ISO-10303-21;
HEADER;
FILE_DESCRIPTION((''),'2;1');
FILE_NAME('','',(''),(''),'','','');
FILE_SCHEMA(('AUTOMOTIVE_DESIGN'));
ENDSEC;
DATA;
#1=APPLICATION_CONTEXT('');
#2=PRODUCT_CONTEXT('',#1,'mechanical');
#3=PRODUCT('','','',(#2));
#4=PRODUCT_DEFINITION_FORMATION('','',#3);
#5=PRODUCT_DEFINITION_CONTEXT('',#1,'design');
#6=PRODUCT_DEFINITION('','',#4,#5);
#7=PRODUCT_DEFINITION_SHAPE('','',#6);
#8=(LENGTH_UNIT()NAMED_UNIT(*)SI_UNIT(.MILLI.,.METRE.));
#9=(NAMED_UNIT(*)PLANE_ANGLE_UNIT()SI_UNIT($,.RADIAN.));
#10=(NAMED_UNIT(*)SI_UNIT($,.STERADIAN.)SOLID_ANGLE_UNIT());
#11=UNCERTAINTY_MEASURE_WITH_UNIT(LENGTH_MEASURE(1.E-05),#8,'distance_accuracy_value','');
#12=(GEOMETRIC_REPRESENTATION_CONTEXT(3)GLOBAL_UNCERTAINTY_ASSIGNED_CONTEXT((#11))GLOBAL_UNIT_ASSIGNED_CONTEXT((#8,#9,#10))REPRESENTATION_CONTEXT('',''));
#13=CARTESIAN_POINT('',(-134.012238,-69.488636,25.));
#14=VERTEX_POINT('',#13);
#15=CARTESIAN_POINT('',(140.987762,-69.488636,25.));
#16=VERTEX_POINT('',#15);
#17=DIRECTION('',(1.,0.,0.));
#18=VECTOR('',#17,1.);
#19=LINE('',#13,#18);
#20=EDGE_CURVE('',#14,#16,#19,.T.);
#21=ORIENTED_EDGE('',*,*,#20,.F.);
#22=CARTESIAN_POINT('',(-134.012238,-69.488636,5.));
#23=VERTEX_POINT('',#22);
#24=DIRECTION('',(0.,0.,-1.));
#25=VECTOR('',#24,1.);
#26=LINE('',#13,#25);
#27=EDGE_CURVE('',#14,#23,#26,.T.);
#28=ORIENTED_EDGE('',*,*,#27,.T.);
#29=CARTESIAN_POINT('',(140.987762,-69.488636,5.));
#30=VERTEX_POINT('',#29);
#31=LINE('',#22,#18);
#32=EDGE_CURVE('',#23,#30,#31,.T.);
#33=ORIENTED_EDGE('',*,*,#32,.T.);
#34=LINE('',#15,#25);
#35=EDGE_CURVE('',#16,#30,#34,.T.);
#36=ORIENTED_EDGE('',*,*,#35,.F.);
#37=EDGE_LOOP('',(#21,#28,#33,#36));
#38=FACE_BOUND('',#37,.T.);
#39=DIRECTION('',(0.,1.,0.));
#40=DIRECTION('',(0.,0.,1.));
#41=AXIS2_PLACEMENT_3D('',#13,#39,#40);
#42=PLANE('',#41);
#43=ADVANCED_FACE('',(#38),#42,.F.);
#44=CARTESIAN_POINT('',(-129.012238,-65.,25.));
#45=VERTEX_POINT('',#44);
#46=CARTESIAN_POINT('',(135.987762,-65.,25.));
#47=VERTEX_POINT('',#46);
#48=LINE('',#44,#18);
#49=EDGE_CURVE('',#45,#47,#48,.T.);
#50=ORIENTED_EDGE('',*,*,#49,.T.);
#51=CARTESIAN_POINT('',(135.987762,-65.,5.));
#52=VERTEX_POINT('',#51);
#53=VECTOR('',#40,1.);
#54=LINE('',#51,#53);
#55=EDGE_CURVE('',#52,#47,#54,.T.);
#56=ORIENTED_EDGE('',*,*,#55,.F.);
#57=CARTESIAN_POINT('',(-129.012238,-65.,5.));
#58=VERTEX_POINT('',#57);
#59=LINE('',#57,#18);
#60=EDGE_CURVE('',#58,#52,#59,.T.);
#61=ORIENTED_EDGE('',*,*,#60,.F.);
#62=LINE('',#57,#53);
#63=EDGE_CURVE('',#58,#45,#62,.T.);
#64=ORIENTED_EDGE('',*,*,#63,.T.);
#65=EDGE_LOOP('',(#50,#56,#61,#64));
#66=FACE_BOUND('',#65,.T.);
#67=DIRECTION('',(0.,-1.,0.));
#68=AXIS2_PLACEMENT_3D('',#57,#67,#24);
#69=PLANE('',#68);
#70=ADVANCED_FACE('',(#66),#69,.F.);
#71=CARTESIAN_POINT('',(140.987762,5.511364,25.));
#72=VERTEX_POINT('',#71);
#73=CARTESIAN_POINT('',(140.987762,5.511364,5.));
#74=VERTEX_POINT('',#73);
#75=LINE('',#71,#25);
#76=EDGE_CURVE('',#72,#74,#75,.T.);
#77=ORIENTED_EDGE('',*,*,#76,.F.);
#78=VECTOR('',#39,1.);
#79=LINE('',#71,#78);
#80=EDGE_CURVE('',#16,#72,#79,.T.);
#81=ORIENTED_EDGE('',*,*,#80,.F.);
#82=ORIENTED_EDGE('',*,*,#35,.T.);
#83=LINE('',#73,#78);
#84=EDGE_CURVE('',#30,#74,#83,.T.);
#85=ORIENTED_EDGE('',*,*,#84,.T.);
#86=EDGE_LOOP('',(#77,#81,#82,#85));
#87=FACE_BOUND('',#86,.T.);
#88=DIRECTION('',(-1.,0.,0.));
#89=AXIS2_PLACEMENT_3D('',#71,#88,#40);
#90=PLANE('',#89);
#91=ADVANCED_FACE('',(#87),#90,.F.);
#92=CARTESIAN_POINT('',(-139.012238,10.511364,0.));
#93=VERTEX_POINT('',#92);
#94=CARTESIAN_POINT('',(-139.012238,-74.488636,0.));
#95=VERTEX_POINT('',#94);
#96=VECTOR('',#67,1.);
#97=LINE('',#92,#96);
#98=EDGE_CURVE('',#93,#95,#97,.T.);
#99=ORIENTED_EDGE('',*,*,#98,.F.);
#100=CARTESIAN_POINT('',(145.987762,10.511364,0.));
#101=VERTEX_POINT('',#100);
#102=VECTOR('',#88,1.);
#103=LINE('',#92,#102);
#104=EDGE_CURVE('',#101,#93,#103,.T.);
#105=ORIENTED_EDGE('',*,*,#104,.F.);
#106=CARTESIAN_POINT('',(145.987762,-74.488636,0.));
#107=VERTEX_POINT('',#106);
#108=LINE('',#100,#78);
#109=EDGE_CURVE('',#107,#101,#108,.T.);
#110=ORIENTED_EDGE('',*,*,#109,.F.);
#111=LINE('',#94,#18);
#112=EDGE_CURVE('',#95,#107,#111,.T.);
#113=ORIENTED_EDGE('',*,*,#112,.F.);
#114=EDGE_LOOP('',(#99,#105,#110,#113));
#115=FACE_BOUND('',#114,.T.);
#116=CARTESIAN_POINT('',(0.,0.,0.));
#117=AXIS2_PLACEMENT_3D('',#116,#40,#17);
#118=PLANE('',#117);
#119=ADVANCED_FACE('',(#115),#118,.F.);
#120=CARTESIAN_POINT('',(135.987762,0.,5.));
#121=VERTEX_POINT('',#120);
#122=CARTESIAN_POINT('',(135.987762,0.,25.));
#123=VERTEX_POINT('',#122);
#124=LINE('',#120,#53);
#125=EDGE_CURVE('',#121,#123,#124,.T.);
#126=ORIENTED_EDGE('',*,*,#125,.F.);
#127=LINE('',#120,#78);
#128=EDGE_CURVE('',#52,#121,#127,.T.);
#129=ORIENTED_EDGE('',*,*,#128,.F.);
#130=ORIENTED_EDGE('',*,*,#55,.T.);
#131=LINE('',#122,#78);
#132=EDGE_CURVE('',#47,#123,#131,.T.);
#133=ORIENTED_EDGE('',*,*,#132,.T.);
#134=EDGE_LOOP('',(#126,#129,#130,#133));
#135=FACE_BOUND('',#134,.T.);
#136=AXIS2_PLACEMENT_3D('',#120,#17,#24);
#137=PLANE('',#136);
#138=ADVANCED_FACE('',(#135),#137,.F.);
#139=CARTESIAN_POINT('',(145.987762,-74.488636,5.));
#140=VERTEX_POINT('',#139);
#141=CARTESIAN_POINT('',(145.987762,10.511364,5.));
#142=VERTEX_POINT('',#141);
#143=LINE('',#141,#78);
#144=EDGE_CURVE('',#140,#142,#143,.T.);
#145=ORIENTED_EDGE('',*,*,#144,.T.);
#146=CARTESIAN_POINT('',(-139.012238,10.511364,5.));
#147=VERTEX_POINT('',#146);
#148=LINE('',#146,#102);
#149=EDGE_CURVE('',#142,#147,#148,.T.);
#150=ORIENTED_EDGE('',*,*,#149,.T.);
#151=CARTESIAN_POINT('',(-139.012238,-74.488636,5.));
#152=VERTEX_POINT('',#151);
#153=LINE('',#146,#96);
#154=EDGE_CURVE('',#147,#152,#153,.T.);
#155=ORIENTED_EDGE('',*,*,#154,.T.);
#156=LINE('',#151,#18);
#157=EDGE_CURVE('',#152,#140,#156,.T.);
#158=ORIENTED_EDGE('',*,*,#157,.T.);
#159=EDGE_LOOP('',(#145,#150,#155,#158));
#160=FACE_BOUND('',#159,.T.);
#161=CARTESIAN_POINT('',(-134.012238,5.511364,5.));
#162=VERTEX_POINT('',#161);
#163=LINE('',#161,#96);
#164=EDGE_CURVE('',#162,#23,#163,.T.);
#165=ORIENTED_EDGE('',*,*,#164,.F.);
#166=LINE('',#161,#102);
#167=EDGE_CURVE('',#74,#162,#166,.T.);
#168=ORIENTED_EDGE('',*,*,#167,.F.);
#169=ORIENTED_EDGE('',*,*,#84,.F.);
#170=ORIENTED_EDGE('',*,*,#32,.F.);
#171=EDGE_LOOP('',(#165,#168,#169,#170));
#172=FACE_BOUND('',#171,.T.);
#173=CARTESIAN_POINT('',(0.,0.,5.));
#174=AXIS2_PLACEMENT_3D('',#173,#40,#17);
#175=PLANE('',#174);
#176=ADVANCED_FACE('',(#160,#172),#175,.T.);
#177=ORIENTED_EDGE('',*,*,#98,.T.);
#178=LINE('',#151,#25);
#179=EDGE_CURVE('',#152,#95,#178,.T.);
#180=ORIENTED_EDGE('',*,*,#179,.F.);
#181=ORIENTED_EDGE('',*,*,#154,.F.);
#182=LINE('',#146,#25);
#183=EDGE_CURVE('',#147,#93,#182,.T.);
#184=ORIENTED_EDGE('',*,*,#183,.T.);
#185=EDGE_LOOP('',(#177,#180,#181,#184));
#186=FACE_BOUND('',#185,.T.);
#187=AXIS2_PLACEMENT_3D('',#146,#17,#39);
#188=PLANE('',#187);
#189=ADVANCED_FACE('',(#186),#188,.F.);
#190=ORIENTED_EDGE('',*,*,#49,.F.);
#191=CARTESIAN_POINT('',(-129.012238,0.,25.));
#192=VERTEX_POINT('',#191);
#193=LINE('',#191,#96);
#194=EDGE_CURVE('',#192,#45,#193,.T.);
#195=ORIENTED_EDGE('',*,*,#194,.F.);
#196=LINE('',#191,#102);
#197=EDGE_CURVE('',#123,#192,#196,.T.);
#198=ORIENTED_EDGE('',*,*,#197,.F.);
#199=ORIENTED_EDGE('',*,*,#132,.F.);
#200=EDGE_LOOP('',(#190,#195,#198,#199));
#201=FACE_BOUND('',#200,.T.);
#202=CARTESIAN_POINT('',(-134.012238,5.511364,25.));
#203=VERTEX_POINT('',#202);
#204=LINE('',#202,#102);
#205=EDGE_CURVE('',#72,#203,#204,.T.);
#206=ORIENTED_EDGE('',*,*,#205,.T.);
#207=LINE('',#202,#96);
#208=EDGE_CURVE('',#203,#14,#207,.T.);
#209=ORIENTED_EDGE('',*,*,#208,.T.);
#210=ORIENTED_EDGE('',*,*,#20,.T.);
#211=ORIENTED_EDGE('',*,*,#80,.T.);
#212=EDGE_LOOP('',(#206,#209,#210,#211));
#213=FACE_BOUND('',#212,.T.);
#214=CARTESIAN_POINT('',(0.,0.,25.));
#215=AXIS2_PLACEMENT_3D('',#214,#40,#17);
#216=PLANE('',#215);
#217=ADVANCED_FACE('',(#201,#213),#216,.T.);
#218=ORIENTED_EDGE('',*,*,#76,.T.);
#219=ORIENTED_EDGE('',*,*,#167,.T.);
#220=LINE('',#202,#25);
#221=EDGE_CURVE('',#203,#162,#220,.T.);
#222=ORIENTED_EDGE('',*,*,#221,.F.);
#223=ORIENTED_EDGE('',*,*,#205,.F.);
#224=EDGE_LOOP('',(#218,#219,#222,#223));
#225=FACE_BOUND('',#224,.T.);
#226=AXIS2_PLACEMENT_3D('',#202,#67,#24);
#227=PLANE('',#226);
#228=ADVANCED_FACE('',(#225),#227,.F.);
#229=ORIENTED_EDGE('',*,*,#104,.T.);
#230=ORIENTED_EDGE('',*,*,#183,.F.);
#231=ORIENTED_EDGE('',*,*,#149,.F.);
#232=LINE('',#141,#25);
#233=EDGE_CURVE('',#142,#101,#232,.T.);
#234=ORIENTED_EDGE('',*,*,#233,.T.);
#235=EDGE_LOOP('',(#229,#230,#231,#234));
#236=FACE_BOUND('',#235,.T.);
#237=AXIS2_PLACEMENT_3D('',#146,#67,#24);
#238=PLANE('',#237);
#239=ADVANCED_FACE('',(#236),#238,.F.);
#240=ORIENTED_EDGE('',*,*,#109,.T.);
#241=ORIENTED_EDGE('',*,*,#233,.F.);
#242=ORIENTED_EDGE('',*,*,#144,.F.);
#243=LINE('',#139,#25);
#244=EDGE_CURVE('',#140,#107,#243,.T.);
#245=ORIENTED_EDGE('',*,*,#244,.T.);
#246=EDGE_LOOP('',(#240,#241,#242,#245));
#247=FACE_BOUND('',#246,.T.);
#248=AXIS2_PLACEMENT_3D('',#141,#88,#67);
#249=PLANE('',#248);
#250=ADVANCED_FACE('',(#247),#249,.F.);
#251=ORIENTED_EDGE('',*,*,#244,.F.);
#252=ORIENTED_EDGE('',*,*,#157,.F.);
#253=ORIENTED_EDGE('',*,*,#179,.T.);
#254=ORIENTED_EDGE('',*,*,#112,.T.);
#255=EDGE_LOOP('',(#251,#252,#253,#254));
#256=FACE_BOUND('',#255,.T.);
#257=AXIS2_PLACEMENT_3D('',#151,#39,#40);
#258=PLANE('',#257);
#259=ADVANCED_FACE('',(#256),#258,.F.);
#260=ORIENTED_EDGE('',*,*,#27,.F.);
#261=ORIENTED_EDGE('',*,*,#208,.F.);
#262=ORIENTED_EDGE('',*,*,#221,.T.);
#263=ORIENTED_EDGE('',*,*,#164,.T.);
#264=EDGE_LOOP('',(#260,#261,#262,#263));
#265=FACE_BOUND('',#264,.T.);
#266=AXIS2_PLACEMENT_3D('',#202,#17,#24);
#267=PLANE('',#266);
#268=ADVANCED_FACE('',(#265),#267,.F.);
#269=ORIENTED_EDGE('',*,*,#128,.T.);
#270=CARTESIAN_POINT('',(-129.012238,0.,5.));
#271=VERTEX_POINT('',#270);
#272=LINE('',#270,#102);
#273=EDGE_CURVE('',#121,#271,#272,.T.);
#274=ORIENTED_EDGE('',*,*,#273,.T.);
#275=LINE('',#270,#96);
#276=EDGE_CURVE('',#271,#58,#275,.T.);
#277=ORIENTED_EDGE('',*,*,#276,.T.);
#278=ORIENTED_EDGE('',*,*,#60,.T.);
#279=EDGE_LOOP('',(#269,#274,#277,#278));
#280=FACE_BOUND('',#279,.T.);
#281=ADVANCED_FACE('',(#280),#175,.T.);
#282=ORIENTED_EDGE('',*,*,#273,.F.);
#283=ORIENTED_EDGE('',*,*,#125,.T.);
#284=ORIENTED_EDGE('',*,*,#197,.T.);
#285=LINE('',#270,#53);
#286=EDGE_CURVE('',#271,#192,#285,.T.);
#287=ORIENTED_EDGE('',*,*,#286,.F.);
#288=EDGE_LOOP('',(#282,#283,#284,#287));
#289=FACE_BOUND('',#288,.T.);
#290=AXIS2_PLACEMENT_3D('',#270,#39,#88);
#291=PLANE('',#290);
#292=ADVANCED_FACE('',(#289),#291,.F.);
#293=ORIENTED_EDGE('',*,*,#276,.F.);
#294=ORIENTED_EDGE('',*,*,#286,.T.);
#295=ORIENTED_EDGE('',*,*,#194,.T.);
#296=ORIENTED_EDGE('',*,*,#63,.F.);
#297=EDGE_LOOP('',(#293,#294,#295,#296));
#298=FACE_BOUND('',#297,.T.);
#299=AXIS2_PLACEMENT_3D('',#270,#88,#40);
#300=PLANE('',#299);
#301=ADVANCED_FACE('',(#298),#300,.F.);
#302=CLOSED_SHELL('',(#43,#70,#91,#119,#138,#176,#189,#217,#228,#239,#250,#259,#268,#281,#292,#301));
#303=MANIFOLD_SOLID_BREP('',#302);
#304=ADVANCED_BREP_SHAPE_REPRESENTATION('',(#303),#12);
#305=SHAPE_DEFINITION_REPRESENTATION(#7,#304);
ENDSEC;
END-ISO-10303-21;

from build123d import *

# Parameters (mm, degrees)
SKETCH1_W           = 285
SKETCH1_H           = 85
BOSS_EXTRUDE1_DEPTH = 5
SKETCH2_W           = 275
SKETCH2_H           = 75
BOSS_EXTRUDE2_DEPTH = 20
SKETCH3_W           = 265
SKETCH3_H           = 65
CUT_EXTRUDE1_DEPTH  = 20


with BuildPart() as part:
    # Sketch1 → Boss-Extrude1 (new body)
    with BuildSketch(Plane.XY):
        with Locations((3.487762238, -31.988636364)):
            Rectangle(SKETCH1_W, SKETCH1_H)
    extrude(amount=BOSS_EXTRUDE1_DEPTH)

    # Sketch2 → Boss-Extrude2 (add)
    with BuildSketch(Plane.XY.offset(5)):
        with Locations((3.487762238, -31.988636364)):
            Rectangle(SKETCH2_W, SKETCH2_H)
    extrude(amount=BOSS_EXTRUDE2_DEPTH)

    # Sketch3 → Cut-Extrude1 (cut)
    with BuildSketch(Plane.XY.offset(25)):
        with Locations((3.487762238, -32.5)):
            Rectangle(SKETCH3_W, SKETCH3_H)
    extrude(amount=-CUT_EXTRUDE1_DEPTH, mode=Mode.SUBTRACT)


solid = part.part
